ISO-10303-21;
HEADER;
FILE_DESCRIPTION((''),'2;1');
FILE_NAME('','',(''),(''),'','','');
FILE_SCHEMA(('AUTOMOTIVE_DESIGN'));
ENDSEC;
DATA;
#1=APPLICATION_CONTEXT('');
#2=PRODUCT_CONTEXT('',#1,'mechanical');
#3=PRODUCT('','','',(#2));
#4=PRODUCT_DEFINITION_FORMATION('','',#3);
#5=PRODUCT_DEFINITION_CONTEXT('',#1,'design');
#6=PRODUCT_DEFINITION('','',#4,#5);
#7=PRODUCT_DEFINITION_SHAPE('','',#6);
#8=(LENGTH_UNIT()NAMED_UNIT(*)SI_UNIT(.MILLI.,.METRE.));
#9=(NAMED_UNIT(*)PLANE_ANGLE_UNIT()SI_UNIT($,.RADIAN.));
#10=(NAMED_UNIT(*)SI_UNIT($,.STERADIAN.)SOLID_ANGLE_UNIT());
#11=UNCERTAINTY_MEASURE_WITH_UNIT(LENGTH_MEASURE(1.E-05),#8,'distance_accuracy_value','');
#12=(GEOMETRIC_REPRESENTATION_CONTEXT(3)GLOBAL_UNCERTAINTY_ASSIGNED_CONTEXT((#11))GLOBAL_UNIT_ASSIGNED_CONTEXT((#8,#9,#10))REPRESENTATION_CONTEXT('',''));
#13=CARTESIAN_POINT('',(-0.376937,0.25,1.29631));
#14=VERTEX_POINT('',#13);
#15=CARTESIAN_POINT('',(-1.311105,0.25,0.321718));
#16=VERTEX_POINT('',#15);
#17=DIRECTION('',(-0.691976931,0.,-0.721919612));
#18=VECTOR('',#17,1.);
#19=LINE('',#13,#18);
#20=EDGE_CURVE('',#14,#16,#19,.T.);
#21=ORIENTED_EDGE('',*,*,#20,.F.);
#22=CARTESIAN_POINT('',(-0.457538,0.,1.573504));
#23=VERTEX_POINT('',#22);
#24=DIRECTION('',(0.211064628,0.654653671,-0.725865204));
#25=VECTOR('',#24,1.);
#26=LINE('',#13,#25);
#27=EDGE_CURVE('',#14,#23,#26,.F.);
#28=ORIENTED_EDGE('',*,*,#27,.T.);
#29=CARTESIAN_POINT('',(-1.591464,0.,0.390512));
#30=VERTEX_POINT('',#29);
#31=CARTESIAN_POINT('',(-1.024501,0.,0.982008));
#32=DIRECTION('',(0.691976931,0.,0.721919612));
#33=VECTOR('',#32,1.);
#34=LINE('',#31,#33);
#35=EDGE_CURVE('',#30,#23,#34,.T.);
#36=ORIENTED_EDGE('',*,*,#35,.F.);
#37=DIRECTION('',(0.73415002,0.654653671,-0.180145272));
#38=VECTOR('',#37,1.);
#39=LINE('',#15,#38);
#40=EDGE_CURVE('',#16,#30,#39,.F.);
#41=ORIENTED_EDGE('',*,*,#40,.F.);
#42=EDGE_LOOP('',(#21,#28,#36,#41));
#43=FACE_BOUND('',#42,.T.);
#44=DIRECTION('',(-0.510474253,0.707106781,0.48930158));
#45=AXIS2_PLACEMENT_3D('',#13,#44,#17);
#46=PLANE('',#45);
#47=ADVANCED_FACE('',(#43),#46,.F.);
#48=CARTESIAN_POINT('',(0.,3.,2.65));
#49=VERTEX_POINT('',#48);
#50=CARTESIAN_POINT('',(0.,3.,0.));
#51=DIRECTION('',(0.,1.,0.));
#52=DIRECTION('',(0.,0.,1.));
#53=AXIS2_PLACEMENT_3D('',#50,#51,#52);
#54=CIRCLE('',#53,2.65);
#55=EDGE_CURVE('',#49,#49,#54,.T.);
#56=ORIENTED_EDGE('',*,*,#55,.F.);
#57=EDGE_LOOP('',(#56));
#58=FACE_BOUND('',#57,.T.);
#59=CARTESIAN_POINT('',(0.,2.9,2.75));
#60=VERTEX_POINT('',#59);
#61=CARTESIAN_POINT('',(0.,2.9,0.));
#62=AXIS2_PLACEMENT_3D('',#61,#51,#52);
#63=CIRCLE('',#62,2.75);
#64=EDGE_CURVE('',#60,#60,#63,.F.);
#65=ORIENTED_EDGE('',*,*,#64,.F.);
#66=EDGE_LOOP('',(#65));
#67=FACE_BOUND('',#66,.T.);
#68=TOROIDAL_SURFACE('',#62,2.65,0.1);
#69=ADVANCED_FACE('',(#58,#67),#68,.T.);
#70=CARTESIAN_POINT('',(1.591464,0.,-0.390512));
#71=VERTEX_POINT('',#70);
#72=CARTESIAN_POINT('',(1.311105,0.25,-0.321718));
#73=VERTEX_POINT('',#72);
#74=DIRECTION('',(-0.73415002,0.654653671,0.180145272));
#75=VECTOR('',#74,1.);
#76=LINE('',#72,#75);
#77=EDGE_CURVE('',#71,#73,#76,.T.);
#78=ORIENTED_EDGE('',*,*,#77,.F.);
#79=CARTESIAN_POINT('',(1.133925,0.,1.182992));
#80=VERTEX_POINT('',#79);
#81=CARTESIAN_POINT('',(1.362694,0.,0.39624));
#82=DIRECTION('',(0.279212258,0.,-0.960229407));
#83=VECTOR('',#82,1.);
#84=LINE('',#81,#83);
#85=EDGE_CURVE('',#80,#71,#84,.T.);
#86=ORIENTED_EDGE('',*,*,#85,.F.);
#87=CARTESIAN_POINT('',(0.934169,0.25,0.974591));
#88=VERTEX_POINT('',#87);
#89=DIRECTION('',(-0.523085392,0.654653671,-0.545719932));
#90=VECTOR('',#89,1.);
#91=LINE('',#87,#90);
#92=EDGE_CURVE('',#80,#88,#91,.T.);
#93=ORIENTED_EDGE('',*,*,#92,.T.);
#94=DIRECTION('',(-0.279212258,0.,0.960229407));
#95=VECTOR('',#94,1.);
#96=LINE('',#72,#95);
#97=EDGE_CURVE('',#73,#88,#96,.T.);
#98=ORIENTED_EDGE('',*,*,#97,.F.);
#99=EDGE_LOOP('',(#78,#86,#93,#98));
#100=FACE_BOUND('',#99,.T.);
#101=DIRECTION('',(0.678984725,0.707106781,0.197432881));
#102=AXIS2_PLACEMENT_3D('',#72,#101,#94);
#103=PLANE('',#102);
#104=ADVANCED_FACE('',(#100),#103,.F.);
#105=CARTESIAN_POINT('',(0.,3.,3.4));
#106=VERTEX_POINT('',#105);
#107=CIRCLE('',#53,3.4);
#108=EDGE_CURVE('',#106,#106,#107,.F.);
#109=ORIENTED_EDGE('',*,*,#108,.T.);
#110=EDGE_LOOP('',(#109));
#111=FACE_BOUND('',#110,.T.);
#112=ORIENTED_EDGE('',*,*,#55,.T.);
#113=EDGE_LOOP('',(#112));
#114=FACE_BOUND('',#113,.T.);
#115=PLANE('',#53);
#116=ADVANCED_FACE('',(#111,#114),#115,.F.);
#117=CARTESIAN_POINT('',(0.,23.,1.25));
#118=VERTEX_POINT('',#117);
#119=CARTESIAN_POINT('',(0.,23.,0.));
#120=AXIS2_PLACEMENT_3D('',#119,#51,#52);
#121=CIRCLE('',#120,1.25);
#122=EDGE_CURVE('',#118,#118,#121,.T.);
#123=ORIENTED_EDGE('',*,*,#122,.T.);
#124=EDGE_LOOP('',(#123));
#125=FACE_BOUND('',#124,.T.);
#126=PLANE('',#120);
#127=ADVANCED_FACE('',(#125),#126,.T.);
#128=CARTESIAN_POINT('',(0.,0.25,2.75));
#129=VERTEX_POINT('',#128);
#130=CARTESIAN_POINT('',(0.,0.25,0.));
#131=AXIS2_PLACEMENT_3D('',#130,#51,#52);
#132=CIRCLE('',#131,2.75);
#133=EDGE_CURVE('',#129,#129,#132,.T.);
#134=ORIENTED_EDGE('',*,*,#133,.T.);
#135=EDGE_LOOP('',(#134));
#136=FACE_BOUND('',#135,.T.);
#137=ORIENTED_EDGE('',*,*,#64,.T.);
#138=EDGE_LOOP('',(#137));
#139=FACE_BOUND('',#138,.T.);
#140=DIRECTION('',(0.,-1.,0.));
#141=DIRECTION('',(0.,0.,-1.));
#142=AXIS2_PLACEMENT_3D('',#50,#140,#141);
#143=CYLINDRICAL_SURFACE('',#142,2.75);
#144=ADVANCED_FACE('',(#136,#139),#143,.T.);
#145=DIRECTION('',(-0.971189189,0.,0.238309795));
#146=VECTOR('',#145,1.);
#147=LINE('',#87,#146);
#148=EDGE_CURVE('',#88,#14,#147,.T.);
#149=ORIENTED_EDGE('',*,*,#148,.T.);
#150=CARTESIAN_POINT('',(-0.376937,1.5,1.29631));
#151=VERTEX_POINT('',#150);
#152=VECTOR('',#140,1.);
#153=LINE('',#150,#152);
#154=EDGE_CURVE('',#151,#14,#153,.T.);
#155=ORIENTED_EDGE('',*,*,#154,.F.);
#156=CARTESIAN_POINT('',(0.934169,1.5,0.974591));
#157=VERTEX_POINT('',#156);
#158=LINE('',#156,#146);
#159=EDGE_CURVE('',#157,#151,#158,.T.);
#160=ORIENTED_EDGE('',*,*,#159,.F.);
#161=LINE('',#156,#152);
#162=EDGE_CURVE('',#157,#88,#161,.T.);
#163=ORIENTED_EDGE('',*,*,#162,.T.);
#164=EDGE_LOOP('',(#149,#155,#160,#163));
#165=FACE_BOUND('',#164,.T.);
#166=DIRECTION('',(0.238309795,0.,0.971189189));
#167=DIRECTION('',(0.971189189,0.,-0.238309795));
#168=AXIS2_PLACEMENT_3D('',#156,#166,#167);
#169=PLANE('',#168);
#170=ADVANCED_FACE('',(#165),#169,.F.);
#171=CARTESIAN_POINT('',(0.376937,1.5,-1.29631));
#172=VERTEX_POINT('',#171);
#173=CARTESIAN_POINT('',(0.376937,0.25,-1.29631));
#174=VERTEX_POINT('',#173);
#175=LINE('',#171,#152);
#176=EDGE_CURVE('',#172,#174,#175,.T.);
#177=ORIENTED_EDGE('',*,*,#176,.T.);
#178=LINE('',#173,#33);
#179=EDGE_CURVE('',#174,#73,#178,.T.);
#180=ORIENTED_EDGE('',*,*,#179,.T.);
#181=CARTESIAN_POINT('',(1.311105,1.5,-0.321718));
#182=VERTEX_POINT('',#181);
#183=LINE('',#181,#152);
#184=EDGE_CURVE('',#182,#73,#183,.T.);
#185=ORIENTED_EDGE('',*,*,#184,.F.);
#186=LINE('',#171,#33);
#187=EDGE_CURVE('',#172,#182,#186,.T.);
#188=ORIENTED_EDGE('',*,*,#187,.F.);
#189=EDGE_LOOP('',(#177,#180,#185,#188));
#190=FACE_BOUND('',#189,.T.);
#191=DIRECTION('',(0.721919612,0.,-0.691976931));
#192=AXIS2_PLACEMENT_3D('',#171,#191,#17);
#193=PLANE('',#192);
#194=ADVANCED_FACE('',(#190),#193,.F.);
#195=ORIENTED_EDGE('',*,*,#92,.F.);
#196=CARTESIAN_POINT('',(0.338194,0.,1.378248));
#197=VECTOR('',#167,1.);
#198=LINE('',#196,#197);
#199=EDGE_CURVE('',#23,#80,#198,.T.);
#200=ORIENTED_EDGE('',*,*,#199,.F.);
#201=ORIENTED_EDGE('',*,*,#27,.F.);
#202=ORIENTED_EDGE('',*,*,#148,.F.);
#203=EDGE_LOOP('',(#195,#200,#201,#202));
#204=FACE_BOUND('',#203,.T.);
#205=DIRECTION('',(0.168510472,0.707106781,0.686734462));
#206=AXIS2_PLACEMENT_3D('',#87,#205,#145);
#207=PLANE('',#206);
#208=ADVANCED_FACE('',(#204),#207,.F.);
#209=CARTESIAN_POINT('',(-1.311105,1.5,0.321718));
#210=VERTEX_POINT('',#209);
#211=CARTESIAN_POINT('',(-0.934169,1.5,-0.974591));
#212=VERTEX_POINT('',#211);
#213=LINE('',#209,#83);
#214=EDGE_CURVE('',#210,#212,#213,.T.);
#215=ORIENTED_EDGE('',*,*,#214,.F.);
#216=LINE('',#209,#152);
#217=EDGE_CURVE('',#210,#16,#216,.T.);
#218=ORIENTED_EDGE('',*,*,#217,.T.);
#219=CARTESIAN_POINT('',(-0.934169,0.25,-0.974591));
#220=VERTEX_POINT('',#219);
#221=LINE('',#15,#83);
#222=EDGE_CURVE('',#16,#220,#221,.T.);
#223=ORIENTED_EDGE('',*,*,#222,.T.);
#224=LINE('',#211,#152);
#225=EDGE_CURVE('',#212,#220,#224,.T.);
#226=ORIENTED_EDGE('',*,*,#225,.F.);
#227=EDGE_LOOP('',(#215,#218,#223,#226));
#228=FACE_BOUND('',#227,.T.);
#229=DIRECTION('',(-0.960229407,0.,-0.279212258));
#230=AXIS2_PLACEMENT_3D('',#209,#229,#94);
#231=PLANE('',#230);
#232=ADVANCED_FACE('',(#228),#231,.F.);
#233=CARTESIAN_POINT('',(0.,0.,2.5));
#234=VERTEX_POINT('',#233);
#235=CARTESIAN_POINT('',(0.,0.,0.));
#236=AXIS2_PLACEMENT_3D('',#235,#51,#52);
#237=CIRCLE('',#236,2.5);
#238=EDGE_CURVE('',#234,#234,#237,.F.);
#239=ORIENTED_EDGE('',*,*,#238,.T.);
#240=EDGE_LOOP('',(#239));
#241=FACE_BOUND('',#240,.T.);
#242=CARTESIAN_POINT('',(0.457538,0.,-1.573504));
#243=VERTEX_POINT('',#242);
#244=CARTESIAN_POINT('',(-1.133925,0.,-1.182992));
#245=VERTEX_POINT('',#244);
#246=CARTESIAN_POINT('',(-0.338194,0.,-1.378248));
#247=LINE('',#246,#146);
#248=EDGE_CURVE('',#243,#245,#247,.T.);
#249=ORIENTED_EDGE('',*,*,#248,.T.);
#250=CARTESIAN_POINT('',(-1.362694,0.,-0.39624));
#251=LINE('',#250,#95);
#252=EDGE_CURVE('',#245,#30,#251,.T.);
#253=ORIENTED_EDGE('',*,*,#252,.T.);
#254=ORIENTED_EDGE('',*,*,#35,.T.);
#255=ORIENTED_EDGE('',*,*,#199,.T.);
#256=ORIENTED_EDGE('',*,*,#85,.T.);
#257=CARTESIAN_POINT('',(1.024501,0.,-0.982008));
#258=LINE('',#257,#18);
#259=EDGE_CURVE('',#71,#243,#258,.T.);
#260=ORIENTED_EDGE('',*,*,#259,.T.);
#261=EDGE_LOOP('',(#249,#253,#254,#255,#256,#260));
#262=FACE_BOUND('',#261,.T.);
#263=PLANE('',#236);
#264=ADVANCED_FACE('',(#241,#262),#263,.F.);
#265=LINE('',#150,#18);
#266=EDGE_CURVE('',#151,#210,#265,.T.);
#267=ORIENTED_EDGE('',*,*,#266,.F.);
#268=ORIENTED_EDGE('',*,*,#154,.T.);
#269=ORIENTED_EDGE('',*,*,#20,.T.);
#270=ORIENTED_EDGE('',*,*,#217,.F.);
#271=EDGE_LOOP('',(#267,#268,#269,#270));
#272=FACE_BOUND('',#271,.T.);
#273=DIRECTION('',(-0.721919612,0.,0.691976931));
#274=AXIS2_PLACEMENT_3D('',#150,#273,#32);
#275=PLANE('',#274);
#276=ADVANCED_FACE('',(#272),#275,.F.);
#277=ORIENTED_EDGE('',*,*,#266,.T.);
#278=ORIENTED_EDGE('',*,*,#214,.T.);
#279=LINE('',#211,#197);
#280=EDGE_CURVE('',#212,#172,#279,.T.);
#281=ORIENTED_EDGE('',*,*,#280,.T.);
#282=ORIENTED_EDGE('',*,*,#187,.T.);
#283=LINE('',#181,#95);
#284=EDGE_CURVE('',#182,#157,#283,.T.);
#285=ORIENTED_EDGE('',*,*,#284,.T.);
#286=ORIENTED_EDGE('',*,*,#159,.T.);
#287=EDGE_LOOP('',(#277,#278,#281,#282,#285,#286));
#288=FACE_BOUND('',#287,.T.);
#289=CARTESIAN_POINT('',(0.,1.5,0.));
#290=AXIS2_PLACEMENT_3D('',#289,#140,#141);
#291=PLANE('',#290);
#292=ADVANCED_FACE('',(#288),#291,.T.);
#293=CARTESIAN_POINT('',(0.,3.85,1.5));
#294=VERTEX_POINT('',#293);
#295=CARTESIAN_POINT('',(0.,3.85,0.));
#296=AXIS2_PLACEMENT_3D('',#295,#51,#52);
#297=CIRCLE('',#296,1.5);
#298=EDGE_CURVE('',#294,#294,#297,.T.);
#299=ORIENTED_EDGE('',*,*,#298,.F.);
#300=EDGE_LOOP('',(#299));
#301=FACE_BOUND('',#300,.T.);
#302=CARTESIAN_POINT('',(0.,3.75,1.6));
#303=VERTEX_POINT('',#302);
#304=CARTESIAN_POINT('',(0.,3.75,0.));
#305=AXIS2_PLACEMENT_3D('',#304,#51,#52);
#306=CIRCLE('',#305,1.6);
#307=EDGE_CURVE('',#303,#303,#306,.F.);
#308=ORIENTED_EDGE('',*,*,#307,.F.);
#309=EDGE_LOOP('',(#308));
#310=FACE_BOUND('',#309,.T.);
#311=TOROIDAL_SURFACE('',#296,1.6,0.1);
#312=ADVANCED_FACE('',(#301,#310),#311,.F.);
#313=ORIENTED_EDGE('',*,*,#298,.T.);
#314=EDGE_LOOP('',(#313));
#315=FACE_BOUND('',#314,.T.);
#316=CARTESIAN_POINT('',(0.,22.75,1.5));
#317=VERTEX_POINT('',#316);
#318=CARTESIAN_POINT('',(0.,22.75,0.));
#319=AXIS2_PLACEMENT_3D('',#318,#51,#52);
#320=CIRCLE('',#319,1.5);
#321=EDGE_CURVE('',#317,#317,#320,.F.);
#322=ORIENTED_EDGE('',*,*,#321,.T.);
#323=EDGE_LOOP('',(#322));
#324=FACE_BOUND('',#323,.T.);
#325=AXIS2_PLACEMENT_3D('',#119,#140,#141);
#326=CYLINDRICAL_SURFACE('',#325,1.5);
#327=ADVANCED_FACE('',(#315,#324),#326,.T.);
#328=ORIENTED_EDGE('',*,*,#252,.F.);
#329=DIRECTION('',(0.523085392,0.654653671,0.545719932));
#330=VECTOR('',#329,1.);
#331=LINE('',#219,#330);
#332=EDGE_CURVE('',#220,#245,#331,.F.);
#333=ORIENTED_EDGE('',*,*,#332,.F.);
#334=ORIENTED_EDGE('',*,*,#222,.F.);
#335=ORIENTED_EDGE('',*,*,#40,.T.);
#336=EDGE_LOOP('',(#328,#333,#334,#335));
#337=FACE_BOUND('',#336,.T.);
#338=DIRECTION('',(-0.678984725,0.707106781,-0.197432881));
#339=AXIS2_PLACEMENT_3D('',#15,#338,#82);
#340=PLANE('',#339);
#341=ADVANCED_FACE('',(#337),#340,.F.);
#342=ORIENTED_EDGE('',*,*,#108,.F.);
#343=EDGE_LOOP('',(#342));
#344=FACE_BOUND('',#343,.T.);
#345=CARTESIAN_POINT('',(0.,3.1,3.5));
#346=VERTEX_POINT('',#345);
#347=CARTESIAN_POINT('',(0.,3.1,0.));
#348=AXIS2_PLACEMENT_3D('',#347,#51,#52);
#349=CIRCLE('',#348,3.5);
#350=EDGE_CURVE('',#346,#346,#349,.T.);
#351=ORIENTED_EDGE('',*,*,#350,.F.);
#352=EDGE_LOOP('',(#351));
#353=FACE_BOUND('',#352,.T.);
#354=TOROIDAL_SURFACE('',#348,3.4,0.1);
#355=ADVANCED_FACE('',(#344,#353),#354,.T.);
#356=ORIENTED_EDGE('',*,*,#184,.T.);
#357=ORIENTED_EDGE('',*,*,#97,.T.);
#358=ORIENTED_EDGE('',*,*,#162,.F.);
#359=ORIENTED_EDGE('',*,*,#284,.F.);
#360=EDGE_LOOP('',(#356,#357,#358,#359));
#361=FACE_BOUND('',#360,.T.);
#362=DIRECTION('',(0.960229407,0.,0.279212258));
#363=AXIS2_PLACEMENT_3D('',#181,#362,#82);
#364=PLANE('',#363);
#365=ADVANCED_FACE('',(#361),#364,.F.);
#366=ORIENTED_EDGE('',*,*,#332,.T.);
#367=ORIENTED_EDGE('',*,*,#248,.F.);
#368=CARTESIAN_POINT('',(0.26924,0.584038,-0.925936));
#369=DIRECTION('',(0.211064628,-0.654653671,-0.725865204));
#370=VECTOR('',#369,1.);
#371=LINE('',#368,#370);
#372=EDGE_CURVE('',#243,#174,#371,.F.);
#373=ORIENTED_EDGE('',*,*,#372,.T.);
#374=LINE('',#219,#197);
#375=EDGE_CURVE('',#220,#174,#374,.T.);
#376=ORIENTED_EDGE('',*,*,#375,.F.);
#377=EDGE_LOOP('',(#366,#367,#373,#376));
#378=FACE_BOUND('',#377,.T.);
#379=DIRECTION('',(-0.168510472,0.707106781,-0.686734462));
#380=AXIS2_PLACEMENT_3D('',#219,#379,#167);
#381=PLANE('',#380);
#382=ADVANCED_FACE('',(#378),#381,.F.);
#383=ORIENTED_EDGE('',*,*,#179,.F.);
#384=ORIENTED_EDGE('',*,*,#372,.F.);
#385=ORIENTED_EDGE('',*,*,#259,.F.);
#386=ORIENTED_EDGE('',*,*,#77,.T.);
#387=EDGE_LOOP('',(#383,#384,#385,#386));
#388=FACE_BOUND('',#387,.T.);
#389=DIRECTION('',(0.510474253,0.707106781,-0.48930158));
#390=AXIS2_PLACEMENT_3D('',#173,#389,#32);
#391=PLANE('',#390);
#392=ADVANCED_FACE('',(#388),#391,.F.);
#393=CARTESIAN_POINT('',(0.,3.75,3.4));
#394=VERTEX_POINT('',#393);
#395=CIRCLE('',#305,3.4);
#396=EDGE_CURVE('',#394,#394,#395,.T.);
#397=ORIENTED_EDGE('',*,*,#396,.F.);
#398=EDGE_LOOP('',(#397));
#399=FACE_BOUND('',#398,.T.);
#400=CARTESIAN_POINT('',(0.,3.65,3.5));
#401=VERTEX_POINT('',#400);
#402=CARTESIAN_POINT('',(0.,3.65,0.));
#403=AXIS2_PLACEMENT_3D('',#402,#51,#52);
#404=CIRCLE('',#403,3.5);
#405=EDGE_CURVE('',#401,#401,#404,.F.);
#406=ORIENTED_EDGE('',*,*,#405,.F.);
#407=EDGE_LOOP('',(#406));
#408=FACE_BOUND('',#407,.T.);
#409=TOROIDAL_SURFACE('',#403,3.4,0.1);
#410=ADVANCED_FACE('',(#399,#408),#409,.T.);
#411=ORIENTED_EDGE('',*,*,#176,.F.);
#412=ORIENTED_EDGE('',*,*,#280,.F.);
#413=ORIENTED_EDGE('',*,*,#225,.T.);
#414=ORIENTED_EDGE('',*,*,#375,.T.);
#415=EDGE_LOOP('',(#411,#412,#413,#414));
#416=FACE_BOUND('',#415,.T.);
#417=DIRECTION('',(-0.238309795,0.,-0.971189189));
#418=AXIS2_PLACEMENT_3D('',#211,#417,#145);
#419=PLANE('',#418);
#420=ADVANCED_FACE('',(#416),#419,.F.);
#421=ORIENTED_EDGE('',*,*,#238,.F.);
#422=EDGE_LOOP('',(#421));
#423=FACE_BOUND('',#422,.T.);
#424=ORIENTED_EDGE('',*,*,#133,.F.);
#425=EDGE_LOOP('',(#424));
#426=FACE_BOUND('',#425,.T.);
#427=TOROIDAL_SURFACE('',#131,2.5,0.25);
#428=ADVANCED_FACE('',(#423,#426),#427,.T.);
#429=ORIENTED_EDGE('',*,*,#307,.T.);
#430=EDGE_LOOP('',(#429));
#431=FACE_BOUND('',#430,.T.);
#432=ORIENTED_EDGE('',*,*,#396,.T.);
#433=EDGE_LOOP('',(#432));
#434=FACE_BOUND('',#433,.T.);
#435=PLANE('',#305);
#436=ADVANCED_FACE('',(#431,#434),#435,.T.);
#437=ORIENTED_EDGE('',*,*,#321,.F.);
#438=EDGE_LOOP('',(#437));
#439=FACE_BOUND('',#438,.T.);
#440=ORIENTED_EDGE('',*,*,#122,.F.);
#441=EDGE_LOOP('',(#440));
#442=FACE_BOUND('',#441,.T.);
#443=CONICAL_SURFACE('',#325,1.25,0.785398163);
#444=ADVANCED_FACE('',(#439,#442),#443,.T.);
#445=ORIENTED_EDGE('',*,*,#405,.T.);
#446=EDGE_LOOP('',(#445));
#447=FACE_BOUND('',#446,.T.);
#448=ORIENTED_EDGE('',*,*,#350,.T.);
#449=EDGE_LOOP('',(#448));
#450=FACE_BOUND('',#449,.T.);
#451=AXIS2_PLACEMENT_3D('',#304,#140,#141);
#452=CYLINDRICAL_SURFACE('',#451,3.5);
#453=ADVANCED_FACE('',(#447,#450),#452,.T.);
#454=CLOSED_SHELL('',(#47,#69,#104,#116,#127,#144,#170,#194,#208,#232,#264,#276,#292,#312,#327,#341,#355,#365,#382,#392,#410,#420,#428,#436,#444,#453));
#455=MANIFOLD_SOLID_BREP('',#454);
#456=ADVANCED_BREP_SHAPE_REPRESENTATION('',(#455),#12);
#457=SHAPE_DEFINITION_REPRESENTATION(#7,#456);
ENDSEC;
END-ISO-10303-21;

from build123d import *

# Parameters (mm, degrees)
SKETCH1_R           = 2.75
BOSS_EXTRUDE1_DEPTH = 3
SKETCH2_R           = 1.5
BOSS_EXTRUDE2_DEPTH = 20
CUT_EXTRUDE1_DEPTH  = 1.5
CHAMFER1_SIZE       = 0.25
FILLET1_R           = 0.25
CHAMFER2_SIZE       = 0.25
FILLET2_R           = 0.1
SKETCH4_R           = 3.5
SKETCH4_R_2         = 1.5
BOSS_EXTRUDE3_DEPTH = 0.75
FILLET3_R           = 0.1


with BuildPart() as part:
    # Sketch1 → Boss-Extrude1 (new body)
    with BuildSketch(Plane(origin=(0, 0, 0), x_dir=(1, 0, 0), z_dir=(0, 1, 0))):
        with Locations(Location((0, 0, 0), (0, 0, 270))):
            Circle(SKETCH1_R)
    extrude(amount=BOSS_EXTRUDE1_DEPTH)

    # Sketch2 → Boss-Extrude2 (add)
    with BuildSketch(Plane(origin=(0, 3, 0), x_dir=(1, 0, 0), z_dir=(0, 1, 0))):
        with Locations(Location((0, 0, 0), (0, 0, 270))):
            Circle(SKETCH2_R)
    extrude(amount=BOSS_EXTRUDE2_DEPTH)

    # Sketch3 → Cut-Extrude1 (cut)
    with BuildSketch(Plane.XZ):
        Polygon((0.934168857, 0.974591477), (-0.376936549, 1.2963097), (-1.311105406, 0.321718223), (-0.934168857, -0.974591477), (0.376936549, -1.2963097), (1.311105406, -0.321718223), align=None)
    extrude(amount=-CUT_EXTRUDE1_DEPTH, mode=Mode.SUBTRACT)

    # Chamfer1
    chamfer1_edges = [part.edges().sort_by_distance(p)[0] for p in [
        (1.122637131, 0, 0.326436627),
        (0.278616154, 0, 1.135450588),
        (-0.844020977, 0, 0.809013962),
        (-1.122637131, 0, -0.326436627),
        (-0.278616154, 0, -1.135450588),
        (0.844020977, 0, -0.809013962),
    ]]
    chamfer(chamfer1_edges, length=CHAMFER1_SIZE)

    # Fillet1
    fillet1_edges = [part.edges().sort_by_distance(p)[0] for p in [
        (0, 0, -2.75),
    ]]
    fillet(fillet1_edges, radius=FILLET1_R)

    # Chamfer2
    chamfer2_edges = [part.edges().sort_by_distance(p)[0] for p in [
        (0, 23, -1.5),
    ]]
    chamfer(chamfer2_edges, length=CHAMFER2_SIZE)

    # Fillet2
    fillet2_edges = [part.edges().sort_by_distance(p)[0] for p in [
        (0, 3, -2.75),
    ]]
    fillet(fillet2_edges, radius=FILLET2_R)

    # Sketch4 → Boss-Extrude3 (add)
    with BuildSketch(Plane(origin=(0, 3, 0), x_dir=(1, 0, 0), z_dir=(0, 1, 0))):
        with Locations(Location((0, 0, 0), (0, 0, 270))):
            Circle(SKETCH4_R)
        with Locations(Location((0, 0, 0), (0, 0, 270))):
            Circle(SKETCH4_R_2, mode=Mode.SUBTRACT)
    extrude(amount=BOSS_EXTRUDE3_DEPTH)

    # Fillet3
    fillet3_edges = [part.edges().sort_by_distance(p)[0] for p in [
        (0, 3.75, -3.5),
        (0, 3, -3.5),
        (0, 3.75, -1.5),
    ]]
    fillet(fillet3_edges, radius=FILLET3_R)


solid = part.part
